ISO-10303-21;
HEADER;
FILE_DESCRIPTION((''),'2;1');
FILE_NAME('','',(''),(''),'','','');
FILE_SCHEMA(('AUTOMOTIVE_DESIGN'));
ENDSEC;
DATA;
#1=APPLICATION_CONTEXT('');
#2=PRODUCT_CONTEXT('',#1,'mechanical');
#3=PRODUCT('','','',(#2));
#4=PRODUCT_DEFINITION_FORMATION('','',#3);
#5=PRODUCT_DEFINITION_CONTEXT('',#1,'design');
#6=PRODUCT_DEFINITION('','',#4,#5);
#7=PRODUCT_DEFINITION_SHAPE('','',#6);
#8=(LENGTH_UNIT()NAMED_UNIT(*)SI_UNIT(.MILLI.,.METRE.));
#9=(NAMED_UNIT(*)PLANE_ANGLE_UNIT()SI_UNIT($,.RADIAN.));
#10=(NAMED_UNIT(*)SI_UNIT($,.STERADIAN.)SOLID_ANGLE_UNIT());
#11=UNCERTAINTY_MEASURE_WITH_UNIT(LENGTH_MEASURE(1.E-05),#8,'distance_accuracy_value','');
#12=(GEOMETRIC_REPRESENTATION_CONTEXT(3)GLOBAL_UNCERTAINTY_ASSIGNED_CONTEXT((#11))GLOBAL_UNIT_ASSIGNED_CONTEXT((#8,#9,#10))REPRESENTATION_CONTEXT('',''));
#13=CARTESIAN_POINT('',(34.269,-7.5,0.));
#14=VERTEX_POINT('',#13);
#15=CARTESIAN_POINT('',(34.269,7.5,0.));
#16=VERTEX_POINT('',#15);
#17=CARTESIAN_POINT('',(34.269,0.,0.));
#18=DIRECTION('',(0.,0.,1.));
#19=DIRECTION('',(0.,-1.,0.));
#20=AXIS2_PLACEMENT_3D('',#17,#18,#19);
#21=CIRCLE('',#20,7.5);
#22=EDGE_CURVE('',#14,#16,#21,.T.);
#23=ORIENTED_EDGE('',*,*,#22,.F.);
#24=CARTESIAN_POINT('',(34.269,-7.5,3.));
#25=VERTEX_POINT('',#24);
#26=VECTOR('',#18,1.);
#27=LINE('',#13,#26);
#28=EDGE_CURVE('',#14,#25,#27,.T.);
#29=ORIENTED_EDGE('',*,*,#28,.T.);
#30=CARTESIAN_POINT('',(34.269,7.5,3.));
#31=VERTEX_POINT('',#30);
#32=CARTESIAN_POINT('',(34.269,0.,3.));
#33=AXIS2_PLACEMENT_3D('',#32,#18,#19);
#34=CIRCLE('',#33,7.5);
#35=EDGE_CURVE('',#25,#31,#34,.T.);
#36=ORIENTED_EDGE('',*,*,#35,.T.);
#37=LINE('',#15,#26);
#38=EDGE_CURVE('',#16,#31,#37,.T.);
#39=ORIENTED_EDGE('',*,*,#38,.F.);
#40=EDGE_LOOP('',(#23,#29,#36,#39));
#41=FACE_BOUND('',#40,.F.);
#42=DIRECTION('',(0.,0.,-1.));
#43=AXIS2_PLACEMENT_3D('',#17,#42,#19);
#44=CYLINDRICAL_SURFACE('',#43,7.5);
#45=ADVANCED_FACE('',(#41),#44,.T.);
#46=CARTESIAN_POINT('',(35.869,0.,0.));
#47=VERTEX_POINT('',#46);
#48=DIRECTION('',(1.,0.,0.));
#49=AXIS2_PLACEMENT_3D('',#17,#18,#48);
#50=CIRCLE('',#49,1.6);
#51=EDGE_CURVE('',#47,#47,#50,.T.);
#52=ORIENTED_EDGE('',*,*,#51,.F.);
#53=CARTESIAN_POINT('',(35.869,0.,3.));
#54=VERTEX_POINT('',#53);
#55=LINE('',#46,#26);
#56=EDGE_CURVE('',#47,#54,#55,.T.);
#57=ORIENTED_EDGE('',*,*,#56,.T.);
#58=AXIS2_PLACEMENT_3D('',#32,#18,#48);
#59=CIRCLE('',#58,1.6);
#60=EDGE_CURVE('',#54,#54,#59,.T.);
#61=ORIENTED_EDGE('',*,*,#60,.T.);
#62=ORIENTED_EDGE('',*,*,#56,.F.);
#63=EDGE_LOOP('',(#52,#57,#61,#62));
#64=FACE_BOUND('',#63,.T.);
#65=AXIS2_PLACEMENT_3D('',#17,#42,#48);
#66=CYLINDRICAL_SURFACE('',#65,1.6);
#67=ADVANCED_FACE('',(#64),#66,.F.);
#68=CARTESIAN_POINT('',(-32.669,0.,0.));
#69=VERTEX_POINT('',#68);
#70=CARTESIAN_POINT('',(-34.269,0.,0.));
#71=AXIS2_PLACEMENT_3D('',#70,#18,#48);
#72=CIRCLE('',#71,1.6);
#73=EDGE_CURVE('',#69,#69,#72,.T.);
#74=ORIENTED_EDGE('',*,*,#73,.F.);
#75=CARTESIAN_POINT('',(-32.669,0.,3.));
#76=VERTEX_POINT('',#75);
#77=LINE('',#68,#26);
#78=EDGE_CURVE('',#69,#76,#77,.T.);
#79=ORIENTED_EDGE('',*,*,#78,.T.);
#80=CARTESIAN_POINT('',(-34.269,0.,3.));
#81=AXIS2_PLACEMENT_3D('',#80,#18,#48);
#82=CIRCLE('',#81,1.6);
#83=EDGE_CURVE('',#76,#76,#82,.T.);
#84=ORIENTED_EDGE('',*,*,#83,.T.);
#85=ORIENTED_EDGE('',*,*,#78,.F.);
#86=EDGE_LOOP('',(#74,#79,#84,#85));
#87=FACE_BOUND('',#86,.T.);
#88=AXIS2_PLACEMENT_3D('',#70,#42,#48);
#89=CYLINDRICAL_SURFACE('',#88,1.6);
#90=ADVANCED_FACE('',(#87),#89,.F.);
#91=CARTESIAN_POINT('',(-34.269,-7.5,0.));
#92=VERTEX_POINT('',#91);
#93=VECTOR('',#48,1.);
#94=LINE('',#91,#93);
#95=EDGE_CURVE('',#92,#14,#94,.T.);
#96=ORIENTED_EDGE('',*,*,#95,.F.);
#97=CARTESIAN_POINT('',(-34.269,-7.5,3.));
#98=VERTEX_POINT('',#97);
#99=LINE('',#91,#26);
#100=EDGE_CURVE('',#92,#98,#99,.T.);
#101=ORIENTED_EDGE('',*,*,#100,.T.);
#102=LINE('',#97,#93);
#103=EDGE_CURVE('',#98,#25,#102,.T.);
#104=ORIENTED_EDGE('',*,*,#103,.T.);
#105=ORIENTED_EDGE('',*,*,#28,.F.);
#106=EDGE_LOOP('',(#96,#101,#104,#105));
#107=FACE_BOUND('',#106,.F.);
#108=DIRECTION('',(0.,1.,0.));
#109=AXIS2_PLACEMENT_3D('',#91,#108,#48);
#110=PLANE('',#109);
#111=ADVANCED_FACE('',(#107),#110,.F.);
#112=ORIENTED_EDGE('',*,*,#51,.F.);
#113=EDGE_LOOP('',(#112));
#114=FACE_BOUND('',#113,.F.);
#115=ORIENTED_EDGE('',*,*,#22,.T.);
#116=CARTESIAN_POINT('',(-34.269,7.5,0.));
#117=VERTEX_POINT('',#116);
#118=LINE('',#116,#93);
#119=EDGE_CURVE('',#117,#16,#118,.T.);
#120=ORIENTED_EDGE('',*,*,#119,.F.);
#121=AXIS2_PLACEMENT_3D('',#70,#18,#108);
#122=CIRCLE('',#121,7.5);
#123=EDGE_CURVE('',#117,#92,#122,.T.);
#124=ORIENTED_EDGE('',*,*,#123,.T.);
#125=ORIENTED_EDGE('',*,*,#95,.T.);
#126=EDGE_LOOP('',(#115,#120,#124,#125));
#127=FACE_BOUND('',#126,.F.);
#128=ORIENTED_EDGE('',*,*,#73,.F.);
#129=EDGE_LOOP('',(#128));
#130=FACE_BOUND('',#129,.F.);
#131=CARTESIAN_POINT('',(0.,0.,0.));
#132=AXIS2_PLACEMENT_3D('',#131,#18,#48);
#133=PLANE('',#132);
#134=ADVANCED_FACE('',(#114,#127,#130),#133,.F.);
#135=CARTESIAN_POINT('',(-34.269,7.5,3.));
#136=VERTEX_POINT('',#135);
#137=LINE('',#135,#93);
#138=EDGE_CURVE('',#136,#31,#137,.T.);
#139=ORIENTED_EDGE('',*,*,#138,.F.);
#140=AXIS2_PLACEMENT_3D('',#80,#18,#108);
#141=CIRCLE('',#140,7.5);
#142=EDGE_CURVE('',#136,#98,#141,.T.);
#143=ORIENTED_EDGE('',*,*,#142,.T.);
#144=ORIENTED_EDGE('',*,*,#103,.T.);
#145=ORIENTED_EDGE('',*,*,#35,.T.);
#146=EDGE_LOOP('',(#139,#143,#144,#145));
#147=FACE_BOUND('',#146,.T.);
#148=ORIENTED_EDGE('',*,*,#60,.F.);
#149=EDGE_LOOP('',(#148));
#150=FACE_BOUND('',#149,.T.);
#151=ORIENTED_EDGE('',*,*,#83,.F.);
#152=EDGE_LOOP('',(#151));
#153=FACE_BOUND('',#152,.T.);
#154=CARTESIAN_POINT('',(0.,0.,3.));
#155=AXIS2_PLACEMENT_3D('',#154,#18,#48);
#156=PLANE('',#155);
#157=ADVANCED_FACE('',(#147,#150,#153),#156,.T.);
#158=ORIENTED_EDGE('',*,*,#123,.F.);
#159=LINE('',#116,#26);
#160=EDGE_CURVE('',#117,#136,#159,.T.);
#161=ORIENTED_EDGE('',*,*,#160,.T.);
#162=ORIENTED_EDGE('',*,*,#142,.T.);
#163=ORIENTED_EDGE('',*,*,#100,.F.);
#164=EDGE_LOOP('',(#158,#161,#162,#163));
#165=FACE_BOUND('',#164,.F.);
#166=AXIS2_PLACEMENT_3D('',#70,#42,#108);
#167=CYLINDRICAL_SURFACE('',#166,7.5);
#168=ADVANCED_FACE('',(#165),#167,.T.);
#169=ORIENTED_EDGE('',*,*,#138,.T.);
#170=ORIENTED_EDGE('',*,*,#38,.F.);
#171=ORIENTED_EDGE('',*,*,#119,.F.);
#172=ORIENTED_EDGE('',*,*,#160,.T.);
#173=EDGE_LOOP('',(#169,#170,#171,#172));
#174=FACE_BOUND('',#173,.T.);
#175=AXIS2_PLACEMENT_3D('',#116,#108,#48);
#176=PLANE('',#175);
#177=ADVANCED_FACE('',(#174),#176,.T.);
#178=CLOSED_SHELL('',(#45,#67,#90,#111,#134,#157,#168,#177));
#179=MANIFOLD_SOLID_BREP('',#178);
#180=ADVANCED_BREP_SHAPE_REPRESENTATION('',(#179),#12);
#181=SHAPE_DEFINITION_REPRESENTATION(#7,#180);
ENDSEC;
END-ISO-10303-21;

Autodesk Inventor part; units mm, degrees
ref_plane "YZ Plane" through (0, 0, 0) normal (1, 0, 0) x (0, 1, 0)
ref_plane "XZ Plane" through (0, 0, 0) normal (0, 1, 0) x (-1, 0, 0)
ref_plane "XY Plane" through (0, 0, 0) normal (0, 0, 1) x (1, 0, 0)
sketch "スケッチ1" plane through (0, 0, 0) normal (0, 0, 1) x (1, 0, 0)
  circle A0 centre (-34.269, 0) radius 1.6
  circle A1 centre (34.269, 0) radius 1.6
  arc A2 (-34.269, 7.5) -> (-34.269, -7.5) centre (-34.269, 0) ccw
  arc A3 (34.269, -7.5) -> (34.269, 7.5) centre (34.269, 0) ccw
  line L0 (-34.269, 7.5) -> (34.269, 7.5)
  line L1 (-34.269, -7.5) -> (34.269, -7.5)
  point P0 (0, 0)
  dimension "d0" = 3.2
  dimension "d1" = 3.2
  dimension "d2" = 68.538
  dimension "d3" = 34.269
  dimension "d6" = 7.5
extrude "押し出し1" add sketch "スケッチ1" along normal blind 3
equation "\"d3\" = 0.5 * d2"
properties part number "オムニ_支え板横" material "アルミニウム 6061"
